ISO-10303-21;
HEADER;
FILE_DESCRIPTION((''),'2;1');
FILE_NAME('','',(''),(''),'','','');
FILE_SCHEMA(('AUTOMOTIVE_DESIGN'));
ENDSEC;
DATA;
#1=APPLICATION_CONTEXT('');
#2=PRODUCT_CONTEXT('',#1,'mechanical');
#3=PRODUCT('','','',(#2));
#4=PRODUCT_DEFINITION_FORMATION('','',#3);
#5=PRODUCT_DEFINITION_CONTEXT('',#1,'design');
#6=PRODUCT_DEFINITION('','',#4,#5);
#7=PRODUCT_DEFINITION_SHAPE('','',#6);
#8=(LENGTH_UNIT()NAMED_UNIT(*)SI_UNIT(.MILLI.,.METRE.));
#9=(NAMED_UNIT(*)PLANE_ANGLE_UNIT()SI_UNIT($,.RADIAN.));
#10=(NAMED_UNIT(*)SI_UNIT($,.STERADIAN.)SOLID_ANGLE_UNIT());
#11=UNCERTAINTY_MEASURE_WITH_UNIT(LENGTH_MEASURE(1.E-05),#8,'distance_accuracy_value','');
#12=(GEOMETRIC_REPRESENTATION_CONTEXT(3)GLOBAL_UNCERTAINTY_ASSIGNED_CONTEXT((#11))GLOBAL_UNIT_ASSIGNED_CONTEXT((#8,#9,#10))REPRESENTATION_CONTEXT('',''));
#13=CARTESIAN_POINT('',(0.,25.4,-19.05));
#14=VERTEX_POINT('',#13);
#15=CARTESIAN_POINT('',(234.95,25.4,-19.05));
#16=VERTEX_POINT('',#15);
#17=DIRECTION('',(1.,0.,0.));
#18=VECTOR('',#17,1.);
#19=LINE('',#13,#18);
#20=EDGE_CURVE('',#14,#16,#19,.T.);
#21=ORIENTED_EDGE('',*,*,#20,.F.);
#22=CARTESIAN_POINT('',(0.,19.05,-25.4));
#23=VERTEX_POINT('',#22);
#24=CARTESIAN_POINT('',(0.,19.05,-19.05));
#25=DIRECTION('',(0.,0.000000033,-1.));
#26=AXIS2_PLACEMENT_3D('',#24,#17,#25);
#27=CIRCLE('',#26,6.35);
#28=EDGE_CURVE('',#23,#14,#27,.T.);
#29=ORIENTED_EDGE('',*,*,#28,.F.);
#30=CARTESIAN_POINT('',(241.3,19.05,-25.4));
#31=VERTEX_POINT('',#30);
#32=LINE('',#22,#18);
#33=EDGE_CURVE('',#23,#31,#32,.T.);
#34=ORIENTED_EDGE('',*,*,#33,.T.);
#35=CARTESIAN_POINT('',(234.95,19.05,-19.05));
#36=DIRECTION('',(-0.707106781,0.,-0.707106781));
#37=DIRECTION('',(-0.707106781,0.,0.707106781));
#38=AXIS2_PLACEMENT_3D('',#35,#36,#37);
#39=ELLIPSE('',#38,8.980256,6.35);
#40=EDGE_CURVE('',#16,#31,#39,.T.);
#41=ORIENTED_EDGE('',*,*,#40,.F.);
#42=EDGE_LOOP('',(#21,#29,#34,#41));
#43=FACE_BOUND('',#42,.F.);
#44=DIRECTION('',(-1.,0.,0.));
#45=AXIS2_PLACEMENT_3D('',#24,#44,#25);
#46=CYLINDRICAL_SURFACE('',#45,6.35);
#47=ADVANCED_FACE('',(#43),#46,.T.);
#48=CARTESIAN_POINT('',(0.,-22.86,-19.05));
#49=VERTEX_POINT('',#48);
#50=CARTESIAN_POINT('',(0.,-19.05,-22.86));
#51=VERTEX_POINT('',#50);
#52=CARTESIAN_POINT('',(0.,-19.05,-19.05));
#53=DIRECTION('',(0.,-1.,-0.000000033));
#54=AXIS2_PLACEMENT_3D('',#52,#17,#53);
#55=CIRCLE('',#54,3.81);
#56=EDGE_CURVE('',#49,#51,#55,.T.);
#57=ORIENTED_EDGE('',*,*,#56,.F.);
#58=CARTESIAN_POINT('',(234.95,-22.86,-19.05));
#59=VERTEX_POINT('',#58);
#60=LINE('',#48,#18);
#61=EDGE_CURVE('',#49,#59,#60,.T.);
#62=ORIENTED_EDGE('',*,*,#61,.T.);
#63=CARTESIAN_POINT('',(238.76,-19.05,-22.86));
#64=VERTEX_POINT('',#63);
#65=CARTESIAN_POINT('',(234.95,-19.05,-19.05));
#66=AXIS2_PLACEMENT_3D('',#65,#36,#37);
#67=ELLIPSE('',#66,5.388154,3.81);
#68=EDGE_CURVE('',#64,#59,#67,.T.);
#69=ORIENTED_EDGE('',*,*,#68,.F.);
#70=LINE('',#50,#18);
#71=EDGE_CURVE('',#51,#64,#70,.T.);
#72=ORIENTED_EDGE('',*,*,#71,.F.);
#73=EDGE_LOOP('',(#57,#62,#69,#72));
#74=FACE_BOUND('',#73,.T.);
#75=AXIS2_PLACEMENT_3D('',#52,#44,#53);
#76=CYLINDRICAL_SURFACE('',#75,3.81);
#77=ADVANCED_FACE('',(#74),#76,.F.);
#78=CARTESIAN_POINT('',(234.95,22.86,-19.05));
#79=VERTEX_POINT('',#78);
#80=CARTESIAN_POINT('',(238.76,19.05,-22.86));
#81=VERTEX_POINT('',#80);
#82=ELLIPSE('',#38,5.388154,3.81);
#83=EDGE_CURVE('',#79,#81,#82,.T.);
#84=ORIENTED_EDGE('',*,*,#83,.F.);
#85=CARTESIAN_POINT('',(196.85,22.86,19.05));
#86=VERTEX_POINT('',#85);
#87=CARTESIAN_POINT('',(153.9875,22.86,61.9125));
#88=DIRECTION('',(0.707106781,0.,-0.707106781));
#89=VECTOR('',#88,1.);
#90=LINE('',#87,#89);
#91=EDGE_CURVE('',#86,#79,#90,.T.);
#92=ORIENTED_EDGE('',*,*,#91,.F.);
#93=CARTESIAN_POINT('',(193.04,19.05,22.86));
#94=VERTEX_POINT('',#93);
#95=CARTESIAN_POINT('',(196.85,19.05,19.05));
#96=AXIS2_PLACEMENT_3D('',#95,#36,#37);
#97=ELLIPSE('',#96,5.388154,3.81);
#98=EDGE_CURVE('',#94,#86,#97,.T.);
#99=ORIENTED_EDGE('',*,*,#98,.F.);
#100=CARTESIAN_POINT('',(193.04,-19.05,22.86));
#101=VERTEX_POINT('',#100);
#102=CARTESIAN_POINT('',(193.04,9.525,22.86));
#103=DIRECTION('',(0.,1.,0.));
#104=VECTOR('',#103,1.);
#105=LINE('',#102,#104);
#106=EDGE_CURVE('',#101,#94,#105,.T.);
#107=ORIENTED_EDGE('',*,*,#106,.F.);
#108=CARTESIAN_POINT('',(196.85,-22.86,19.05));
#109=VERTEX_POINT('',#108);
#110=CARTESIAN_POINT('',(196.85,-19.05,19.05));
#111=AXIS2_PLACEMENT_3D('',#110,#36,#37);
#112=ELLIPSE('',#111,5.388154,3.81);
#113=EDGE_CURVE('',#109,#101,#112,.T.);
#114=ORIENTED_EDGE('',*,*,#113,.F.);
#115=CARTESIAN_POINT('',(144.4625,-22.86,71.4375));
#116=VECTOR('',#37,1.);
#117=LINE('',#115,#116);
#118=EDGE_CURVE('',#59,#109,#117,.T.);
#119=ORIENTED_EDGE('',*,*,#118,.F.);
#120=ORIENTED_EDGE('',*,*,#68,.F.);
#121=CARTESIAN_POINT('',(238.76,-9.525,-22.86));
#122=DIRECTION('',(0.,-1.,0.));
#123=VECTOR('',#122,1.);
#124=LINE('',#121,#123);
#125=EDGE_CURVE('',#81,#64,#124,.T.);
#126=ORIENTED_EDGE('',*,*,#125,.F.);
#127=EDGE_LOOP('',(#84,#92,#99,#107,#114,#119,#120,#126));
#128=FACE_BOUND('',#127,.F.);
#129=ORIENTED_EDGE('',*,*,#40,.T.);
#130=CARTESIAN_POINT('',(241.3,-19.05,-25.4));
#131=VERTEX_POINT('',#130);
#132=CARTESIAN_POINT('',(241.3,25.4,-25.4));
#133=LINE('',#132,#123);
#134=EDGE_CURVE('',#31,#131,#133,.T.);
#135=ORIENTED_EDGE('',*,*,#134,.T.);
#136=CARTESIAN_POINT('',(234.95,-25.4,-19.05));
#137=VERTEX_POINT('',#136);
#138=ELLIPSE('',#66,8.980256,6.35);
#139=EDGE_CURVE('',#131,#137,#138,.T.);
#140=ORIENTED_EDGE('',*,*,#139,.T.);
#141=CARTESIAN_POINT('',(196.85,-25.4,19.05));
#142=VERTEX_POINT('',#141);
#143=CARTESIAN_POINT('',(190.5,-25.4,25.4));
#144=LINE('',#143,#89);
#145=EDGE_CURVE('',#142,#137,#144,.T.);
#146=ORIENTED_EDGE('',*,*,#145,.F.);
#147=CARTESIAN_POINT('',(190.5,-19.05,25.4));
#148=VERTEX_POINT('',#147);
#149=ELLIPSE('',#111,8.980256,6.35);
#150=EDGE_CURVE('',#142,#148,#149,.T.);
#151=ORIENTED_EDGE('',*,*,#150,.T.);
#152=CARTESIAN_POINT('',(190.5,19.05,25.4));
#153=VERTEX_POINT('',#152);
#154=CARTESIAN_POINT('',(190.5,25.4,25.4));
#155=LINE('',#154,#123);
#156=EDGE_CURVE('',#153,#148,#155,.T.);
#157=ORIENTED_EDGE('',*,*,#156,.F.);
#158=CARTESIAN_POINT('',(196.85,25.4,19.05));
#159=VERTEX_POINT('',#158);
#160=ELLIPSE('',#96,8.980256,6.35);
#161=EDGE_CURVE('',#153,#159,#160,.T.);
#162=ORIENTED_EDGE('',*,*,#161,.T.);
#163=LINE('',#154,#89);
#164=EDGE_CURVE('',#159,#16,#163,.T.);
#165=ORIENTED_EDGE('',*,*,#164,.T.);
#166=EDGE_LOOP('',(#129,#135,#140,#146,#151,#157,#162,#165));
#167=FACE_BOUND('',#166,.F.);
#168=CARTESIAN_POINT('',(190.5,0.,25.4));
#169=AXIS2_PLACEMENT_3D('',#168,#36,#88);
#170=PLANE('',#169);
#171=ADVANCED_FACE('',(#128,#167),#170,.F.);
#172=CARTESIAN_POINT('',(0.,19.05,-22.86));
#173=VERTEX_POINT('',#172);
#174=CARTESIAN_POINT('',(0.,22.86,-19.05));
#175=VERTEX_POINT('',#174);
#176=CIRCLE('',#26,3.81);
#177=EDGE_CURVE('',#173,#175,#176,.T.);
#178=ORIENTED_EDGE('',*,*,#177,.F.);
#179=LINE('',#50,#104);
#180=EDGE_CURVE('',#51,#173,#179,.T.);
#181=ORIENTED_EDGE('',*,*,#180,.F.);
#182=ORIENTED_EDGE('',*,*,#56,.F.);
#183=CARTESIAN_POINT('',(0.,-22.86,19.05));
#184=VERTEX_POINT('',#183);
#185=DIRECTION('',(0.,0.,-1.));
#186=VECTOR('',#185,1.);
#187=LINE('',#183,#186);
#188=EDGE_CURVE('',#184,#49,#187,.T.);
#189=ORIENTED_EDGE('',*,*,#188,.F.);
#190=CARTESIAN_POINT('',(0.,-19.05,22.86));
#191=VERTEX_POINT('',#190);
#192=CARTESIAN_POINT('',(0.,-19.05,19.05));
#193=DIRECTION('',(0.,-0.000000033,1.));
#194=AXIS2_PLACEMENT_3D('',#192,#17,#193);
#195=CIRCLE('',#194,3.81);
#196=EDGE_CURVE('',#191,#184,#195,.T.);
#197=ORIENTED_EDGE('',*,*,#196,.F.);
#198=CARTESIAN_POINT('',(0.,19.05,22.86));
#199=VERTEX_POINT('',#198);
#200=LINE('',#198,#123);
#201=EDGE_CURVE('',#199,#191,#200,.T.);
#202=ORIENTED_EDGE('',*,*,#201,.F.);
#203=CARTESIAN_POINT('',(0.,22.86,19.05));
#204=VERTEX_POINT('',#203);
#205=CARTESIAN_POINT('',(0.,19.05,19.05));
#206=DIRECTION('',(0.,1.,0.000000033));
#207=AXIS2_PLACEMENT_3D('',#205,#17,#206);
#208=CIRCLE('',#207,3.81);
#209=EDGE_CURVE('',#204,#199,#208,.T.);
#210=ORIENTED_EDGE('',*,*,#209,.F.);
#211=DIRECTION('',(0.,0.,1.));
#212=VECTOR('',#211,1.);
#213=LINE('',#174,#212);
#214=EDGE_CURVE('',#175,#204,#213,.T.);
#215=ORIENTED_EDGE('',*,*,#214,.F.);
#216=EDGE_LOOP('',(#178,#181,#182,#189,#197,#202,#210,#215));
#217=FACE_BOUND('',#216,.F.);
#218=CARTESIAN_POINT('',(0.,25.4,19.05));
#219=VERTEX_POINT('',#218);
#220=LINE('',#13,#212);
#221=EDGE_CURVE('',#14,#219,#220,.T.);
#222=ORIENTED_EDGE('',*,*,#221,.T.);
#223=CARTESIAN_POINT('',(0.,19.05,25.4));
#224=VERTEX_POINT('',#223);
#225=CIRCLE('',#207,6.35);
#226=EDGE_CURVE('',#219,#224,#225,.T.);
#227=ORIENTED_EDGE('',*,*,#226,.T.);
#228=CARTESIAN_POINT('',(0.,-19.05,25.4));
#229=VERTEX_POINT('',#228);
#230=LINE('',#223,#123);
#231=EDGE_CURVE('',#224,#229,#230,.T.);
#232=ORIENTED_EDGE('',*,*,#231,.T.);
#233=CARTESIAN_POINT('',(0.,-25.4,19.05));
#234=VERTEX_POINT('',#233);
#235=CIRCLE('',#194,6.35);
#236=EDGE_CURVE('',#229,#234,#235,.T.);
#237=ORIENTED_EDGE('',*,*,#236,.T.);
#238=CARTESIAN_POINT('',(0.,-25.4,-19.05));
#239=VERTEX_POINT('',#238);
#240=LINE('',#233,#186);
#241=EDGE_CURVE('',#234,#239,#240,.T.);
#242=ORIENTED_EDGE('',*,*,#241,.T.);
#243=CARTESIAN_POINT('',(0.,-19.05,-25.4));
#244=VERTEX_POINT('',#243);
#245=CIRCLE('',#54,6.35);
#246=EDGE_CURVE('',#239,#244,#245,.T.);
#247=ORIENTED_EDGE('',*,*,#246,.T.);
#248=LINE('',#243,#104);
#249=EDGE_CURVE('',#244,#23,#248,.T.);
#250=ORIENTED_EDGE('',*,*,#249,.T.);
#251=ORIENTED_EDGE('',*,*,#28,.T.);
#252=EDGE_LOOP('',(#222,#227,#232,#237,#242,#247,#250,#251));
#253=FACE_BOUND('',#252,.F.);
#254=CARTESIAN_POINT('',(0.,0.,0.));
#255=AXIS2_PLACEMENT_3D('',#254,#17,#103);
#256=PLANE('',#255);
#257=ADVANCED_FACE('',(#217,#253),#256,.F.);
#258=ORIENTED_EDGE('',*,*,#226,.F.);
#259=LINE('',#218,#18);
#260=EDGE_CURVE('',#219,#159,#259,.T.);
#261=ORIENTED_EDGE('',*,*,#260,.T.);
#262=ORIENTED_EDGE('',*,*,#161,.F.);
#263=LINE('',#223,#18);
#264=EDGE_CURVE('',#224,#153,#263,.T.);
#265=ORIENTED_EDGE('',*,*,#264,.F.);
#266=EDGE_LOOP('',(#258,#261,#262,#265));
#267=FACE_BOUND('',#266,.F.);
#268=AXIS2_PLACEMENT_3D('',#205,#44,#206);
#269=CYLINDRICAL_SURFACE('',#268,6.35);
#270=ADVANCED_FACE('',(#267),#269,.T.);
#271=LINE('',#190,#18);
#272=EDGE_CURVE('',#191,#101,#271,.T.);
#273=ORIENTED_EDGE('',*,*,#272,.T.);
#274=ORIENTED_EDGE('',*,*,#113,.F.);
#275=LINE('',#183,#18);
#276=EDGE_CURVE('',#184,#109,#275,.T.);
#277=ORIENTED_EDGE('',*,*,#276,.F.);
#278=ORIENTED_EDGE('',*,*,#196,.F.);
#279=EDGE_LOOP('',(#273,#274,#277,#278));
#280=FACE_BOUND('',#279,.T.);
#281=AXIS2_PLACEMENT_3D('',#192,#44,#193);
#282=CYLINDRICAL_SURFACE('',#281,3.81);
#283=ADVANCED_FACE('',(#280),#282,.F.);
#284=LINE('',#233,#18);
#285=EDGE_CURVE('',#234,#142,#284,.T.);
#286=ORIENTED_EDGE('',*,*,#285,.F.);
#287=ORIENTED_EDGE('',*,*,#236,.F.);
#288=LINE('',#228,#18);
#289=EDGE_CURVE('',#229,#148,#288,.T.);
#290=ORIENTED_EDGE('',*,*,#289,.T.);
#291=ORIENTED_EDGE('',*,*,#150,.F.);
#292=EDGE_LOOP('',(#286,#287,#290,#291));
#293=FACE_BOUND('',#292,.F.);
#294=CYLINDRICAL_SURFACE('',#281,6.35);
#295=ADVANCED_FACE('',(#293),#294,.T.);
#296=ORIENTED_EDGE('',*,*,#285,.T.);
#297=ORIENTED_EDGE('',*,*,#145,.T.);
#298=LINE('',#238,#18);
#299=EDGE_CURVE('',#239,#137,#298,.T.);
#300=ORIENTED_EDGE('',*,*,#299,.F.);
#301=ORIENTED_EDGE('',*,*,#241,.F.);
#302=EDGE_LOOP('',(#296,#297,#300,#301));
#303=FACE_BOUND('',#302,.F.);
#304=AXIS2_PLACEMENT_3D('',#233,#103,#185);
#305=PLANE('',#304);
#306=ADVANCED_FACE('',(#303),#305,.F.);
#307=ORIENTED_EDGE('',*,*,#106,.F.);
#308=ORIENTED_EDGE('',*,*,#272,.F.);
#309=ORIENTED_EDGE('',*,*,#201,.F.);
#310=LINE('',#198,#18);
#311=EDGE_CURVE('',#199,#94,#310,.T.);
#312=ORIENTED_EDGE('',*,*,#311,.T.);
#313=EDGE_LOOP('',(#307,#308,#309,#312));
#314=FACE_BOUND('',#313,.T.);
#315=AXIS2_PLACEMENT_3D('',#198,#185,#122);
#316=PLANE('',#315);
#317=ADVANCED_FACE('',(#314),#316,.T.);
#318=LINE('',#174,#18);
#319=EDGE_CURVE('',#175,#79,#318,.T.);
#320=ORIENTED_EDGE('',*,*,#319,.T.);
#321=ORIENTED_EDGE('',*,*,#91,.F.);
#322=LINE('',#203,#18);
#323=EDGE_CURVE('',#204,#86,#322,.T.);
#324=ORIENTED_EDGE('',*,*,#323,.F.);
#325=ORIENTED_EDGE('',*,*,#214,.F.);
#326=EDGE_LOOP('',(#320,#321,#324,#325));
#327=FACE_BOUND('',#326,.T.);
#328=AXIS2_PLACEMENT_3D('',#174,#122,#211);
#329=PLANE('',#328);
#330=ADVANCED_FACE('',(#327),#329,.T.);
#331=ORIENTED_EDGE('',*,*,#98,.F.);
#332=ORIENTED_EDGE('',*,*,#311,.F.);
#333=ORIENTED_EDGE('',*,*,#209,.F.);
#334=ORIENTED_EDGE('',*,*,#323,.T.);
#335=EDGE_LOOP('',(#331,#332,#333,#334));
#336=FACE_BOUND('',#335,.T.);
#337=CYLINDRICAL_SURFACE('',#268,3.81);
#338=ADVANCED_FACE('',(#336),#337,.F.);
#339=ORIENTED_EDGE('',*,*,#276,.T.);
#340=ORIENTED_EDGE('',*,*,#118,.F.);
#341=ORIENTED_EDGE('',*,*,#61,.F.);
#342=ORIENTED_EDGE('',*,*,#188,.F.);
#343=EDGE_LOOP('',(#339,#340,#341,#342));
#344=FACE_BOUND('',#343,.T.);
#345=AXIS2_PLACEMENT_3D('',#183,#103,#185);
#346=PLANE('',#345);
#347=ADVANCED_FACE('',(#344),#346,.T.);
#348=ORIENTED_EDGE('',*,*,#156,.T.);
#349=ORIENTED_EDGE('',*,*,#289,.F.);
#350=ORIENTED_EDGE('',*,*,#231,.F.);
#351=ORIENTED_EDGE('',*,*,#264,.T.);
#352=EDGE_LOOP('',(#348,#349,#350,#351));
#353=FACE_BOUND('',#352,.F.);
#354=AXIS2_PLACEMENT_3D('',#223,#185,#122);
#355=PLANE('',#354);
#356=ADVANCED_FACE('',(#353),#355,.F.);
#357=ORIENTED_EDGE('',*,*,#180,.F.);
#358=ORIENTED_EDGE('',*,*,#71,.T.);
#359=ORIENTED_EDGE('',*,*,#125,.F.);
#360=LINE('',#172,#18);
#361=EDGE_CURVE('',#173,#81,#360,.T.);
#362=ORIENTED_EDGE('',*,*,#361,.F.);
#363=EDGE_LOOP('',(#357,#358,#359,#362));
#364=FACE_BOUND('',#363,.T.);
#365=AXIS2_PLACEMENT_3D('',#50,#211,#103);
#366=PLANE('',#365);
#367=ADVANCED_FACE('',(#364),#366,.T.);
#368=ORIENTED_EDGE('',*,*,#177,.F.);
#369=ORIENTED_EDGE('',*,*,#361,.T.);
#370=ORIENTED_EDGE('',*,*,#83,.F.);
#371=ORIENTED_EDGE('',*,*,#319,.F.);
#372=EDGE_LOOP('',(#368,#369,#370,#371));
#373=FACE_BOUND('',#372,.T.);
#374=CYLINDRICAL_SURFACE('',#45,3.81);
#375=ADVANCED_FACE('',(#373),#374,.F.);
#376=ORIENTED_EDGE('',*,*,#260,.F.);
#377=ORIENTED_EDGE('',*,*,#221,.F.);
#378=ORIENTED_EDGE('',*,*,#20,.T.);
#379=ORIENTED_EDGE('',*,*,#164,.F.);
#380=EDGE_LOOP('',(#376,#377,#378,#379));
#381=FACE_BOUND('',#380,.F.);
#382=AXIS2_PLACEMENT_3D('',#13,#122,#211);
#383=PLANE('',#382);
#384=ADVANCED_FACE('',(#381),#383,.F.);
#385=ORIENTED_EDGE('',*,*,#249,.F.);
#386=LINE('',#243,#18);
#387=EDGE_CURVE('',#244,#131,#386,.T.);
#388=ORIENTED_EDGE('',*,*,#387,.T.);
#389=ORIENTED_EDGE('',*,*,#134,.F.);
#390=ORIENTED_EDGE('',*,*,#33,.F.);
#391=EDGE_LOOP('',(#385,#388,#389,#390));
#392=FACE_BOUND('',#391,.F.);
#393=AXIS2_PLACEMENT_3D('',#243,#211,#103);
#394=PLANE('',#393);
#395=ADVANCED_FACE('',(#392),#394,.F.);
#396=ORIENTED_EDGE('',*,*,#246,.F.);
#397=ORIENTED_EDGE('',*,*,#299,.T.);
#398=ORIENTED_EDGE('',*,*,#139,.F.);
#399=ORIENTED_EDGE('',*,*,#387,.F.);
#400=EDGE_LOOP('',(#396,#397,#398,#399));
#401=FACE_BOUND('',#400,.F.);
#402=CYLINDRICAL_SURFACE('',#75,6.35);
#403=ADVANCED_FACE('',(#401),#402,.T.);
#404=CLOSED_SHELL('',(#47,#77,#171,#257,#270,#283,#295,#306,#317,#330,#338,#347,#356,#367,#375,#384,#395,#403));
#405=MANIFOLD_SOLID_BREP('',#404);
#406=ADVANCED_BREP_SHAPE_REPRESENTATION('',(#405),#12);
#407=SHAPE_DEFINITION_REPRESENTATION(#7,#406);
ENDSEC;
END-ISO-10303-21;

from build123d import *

# Parameters (mm, degrees)
F1_DEPTH = 254
F2_T     = -2.54
F4_DEPTH = 25.4


with BuildPart() as f1:
    # F0 (on Right) → F1 (new body)
    with BuildSketch(Plane.YZ):
        with BuildLine():
            ThreePointArc((25.4, 19.05), (23.540128, 23.540128), (19.05, 25.4))
            Line((19.05, 25.4), (-19.05, 25.4))
            ThreePointArc((-19.05, 25.4), (-23.540128, 23.540128), (-25.4, 19.05))
            Line((-25.4, 19.05), (-25.4, -19.05))
            ThreePointArc((-25.4, -19.05), (-23.540128, -23.540128), (-19.05, -25.4))
            Line((-19.05, -25.4), (19.05, -25.4))
            ThreePointArc((19.05, -25.4), (23.540128, -23.540128), (25.4, -19.05))
            Line((25.4, -19.05), (25.4, 19.05))
        make_face()
    extrude(amount=F1_DEPTH)

    # F2
    f2_openings = [f1.faces().sort_by_distance(p)[0] for p in [
        (254, 0, 0),
        (0, 0, 0),
    ]]
    offset(amount=F2_T, openings=f2_openings)

    # F3 (on Front) → F4 (cut, symmetric)
    with BuildSketch(Plane.XZ):
        Polygon((254, 25.4), (190.5, 25.4), (241.3, -25.4), (254, -25.4), align=None)
    extrude(amount=F4_DEPTH, both=True, mode=Mode.SUBTRACT)


solid = f1.part
